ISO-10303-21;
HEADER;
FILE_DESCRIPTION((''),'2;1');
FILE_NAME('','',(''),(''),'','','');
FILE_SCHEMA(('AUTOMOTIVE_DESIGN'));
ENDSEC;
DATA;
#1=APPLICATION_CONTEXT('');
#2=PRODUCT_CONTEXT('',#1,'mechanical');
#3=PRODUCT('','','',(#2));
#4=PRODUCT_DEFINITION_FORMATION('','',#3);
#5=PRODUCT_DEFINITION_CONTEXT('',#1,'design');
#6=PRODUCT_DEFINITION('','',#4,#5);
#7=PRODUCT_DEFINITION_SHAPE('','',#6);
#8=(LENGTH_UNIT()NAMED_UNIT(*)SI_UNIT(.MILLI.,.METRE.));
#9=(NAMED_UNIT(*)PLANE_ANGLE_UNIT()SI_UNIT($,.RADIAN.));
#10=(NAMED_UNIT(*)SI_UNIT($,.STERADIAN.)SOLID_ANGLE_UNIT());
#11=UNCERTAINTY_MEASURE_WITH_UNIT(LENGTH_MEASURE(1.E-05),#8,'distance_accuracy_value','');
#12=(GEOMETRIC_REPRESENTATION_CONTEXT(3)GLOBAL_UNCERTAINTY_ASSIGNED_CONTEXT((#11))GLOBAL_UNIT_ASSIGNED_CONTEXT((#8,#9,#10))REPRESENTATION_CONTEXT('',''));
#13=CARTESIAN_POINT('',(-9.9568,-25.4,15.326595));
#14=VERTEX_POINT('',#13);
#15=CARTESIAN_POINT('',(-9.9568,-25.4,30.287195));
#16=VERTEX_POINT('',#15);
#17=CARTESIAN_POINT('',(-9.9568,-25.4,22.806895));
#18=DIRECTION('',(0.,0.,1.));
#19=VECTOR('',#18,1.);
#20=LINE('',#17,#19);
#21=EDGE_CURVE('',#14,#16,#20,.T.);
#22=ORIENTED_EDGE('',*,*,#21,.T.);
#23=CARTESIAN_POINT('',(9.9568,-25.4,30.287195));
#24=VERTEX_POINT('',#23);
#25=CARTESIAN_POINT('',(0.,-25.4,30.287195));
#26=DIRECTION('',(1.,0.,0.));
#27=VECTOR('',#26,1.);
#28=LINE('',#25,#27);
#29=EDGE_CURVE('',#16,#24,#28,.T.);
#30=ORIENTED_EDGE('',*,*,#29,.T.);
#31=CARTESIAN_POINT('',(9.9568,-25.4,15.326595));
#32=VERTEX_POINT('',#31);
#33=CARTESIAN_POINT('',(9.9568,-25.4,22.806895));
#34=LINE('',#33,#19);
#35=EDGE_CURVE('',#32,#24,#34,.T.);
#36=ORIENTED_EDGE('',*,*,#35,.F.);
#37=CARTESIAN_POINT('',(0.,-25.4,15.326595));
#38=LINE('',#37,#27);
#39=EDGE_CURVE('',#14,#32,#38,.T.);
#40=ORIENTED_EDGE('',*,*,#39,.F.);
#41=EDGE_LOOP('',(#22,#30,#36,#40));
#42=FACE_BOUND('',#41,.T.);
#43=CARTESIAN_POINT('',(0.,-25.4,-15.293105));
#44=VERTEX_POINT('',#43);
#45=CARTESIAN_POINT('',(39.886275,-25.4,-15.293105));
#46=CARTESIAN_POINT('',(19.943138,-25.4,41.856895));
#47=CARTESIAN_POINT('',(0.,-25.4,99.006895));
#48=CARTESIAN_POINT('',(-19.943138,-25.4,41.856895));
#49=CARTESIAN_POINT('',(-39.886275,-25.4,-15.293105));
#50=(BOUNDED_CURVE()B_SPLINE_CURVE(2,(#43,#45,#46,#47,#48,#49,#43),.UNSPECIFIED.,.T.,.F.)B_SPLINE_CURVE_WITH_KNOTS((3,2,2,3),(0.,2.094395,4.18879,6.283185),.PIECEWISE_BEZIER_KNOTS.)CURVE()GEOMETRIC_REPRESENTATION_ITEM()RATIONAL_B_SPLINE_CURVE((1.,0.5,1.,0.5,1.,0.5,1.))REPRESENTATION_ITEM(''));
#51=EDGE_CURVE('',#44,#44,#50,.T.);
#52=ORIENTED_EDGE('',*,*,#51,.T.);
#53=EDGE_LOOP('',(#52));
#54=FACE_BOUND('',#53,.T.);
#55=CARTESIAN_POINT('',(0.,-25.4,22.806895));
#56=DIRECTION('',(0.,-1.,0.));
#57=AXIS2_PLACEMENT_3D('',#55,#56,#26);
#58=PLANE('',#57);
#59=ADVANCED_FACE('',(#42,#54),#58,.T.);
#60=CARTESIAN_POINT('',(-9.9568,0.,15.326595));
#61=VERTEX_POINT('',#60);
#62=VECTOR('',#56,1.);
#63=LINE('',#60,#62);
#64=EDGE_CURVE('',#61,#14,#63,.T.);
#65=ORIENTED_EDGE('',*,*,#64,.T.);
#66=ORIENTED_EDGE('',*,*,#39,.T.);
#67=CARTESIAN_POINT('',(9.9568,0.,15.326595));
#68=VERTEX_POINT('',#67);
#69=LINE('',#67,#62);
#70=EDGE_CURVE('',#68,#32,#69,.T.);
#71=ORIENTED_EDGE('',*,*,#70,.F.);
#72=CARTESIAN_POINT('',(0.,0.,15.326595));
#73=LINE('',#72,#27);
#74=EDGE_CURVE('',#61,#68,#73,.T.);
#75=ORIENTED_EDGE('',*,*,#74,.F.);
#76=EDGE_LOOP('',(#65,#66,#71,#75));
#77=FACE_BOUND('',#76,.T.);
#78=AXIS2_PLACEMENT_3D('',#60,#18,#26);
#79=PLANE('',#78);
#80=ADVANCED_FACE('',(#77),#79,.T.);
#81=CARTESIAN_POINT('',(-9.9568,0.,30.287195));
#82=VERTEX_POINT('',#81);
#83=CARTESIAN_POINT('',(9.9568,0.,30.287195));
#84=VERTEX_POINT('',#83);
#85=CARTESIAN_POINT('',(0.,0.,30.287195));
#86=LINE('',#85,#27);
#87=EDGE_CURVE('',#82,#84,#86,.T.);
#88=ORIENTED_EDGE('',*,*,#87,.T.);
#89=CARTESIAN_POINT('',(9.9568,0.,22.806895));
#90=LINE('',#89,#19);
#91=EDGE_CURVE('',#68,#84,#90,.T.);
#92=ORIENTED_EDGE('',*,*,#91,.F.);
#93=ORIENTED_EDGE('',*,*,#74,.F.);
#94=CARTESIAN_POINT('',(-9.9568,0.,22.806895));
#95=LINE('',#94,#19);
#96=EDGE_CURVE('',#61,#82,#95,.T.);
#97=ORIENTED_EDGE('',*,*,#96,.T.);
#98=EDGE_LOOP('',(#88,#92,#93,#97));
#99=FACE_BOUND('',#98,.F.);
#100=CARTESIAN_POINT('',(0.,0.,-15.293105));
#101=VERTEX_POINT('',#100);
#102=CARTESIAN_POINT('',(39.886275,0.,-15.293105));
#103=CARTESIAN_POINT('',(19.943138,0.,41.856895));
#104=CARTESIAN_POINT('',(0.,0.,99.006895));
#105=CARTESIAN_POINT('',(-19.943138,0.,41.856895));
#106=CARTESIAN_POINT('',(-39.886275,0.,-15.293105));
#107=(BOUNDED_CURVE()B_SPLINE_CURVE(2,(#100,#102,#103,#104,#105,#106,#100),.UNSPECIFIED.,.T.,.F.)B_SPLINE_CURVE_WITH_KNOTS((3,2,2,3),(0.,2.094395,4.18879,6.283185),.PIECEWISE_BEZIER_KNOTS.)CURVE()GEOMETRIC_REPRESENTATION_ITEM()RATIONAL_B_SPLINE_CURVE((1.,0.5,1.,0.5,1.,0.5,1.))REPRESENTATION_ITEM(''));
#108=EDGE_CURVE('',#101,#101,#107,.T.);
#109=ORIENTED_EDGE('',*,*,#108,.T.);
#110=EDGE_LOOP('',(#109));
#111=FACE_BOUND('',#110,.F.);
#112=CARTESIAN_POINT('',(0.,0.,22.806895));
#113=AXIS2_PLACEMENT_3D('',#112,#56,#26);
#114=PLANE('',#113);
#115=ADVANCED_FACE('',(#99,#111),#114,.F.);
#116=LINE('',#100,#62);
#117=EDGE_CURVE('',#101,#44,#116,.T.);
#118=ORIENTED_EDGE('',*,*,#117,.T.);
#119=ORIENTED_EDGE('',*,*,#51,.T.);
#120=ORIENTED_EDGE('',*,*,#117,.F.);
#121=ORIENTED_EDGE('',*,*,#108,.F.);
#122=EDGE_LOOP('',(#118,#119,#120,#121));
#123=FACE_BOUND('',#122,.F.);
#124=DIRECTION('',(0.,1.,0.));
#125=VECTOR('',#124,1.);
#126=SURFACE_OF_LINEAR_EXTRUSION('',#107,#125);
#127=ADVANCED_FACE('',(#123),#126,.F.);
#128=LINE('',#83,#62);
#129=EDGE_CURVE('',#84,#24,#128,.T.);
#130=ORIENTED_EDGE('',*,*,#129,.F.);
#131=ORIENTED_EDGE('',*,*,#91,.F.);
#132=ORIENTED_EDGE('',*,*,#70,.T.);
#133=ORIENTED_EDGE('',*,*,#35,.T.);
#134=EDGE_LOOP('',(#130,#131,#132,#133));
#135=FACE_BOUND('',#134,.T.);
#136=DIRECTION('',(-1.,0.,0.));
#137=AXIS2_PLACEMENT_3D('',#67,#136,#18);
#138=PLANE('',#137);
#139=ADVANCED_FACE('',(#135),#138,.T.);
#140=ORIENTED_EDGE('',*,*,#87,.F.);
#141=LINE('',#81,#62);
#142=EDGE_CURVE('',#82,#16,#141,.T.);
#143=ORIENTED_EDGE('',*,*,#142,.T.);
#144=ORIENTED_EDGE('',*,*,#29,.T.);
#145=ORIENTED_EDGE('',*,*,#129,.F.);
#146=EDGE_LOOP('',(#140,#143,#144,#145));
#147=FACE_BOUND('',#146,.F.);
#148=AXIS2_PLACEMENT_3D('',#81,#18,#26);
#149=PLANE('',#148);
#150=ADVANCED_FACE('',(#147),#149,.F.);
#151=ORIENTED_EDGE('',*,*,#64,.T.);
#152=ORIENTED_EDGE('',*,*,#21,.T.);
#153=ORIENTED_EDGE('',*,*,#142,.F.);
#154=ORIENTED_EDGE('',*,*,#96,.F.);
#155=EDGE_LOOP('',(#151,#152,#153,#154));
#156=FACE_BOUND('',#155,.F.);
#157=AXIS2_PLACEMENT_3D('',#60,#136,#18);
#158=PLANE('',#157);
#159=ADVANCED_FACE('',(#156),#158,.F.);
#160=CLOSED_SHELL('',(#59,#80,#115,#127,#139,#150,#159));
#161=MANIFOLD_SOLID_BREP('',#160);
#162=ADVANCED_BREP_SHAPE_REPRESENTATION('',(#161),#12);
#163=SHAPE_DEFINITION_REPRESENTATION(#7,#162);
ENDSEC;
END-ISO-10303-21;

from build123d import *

# Parameters (mm, degrees)
F0_W     = 19.9136
F0_H     = 14.9606
F1_DEPTH = 25.4


with BuildPart() as f1:
    # F0 (on Front) → F1 (new body)
    with BuildSketch(Plane.XZ):
        with BuildLine():
            add(Edge.make_bspline(
                [(0, -15.293105), (39.886275, -15.293105), (19.943138, 41.856895), (0, 99.006895), (-19.943138, 41.856895), (-39.886275, -15.293105), (0, -15.293105)],
                knots=[0, 0, 0, 2.094395, 2.094395, 4.18879, 4.18879, 6.283185, 6.283185, 6.283185], degree=2, weights=[1, 0.5, 1, 0.5, 1, 0.5, 1]))
        make_face()
        with Locations((0, 22.806895)):
            Rectangle(F0_W, F0_H, mode=Mode.SUBTRACT)
    extrude(amount=F1_DEPTH)


solid = f1.part
